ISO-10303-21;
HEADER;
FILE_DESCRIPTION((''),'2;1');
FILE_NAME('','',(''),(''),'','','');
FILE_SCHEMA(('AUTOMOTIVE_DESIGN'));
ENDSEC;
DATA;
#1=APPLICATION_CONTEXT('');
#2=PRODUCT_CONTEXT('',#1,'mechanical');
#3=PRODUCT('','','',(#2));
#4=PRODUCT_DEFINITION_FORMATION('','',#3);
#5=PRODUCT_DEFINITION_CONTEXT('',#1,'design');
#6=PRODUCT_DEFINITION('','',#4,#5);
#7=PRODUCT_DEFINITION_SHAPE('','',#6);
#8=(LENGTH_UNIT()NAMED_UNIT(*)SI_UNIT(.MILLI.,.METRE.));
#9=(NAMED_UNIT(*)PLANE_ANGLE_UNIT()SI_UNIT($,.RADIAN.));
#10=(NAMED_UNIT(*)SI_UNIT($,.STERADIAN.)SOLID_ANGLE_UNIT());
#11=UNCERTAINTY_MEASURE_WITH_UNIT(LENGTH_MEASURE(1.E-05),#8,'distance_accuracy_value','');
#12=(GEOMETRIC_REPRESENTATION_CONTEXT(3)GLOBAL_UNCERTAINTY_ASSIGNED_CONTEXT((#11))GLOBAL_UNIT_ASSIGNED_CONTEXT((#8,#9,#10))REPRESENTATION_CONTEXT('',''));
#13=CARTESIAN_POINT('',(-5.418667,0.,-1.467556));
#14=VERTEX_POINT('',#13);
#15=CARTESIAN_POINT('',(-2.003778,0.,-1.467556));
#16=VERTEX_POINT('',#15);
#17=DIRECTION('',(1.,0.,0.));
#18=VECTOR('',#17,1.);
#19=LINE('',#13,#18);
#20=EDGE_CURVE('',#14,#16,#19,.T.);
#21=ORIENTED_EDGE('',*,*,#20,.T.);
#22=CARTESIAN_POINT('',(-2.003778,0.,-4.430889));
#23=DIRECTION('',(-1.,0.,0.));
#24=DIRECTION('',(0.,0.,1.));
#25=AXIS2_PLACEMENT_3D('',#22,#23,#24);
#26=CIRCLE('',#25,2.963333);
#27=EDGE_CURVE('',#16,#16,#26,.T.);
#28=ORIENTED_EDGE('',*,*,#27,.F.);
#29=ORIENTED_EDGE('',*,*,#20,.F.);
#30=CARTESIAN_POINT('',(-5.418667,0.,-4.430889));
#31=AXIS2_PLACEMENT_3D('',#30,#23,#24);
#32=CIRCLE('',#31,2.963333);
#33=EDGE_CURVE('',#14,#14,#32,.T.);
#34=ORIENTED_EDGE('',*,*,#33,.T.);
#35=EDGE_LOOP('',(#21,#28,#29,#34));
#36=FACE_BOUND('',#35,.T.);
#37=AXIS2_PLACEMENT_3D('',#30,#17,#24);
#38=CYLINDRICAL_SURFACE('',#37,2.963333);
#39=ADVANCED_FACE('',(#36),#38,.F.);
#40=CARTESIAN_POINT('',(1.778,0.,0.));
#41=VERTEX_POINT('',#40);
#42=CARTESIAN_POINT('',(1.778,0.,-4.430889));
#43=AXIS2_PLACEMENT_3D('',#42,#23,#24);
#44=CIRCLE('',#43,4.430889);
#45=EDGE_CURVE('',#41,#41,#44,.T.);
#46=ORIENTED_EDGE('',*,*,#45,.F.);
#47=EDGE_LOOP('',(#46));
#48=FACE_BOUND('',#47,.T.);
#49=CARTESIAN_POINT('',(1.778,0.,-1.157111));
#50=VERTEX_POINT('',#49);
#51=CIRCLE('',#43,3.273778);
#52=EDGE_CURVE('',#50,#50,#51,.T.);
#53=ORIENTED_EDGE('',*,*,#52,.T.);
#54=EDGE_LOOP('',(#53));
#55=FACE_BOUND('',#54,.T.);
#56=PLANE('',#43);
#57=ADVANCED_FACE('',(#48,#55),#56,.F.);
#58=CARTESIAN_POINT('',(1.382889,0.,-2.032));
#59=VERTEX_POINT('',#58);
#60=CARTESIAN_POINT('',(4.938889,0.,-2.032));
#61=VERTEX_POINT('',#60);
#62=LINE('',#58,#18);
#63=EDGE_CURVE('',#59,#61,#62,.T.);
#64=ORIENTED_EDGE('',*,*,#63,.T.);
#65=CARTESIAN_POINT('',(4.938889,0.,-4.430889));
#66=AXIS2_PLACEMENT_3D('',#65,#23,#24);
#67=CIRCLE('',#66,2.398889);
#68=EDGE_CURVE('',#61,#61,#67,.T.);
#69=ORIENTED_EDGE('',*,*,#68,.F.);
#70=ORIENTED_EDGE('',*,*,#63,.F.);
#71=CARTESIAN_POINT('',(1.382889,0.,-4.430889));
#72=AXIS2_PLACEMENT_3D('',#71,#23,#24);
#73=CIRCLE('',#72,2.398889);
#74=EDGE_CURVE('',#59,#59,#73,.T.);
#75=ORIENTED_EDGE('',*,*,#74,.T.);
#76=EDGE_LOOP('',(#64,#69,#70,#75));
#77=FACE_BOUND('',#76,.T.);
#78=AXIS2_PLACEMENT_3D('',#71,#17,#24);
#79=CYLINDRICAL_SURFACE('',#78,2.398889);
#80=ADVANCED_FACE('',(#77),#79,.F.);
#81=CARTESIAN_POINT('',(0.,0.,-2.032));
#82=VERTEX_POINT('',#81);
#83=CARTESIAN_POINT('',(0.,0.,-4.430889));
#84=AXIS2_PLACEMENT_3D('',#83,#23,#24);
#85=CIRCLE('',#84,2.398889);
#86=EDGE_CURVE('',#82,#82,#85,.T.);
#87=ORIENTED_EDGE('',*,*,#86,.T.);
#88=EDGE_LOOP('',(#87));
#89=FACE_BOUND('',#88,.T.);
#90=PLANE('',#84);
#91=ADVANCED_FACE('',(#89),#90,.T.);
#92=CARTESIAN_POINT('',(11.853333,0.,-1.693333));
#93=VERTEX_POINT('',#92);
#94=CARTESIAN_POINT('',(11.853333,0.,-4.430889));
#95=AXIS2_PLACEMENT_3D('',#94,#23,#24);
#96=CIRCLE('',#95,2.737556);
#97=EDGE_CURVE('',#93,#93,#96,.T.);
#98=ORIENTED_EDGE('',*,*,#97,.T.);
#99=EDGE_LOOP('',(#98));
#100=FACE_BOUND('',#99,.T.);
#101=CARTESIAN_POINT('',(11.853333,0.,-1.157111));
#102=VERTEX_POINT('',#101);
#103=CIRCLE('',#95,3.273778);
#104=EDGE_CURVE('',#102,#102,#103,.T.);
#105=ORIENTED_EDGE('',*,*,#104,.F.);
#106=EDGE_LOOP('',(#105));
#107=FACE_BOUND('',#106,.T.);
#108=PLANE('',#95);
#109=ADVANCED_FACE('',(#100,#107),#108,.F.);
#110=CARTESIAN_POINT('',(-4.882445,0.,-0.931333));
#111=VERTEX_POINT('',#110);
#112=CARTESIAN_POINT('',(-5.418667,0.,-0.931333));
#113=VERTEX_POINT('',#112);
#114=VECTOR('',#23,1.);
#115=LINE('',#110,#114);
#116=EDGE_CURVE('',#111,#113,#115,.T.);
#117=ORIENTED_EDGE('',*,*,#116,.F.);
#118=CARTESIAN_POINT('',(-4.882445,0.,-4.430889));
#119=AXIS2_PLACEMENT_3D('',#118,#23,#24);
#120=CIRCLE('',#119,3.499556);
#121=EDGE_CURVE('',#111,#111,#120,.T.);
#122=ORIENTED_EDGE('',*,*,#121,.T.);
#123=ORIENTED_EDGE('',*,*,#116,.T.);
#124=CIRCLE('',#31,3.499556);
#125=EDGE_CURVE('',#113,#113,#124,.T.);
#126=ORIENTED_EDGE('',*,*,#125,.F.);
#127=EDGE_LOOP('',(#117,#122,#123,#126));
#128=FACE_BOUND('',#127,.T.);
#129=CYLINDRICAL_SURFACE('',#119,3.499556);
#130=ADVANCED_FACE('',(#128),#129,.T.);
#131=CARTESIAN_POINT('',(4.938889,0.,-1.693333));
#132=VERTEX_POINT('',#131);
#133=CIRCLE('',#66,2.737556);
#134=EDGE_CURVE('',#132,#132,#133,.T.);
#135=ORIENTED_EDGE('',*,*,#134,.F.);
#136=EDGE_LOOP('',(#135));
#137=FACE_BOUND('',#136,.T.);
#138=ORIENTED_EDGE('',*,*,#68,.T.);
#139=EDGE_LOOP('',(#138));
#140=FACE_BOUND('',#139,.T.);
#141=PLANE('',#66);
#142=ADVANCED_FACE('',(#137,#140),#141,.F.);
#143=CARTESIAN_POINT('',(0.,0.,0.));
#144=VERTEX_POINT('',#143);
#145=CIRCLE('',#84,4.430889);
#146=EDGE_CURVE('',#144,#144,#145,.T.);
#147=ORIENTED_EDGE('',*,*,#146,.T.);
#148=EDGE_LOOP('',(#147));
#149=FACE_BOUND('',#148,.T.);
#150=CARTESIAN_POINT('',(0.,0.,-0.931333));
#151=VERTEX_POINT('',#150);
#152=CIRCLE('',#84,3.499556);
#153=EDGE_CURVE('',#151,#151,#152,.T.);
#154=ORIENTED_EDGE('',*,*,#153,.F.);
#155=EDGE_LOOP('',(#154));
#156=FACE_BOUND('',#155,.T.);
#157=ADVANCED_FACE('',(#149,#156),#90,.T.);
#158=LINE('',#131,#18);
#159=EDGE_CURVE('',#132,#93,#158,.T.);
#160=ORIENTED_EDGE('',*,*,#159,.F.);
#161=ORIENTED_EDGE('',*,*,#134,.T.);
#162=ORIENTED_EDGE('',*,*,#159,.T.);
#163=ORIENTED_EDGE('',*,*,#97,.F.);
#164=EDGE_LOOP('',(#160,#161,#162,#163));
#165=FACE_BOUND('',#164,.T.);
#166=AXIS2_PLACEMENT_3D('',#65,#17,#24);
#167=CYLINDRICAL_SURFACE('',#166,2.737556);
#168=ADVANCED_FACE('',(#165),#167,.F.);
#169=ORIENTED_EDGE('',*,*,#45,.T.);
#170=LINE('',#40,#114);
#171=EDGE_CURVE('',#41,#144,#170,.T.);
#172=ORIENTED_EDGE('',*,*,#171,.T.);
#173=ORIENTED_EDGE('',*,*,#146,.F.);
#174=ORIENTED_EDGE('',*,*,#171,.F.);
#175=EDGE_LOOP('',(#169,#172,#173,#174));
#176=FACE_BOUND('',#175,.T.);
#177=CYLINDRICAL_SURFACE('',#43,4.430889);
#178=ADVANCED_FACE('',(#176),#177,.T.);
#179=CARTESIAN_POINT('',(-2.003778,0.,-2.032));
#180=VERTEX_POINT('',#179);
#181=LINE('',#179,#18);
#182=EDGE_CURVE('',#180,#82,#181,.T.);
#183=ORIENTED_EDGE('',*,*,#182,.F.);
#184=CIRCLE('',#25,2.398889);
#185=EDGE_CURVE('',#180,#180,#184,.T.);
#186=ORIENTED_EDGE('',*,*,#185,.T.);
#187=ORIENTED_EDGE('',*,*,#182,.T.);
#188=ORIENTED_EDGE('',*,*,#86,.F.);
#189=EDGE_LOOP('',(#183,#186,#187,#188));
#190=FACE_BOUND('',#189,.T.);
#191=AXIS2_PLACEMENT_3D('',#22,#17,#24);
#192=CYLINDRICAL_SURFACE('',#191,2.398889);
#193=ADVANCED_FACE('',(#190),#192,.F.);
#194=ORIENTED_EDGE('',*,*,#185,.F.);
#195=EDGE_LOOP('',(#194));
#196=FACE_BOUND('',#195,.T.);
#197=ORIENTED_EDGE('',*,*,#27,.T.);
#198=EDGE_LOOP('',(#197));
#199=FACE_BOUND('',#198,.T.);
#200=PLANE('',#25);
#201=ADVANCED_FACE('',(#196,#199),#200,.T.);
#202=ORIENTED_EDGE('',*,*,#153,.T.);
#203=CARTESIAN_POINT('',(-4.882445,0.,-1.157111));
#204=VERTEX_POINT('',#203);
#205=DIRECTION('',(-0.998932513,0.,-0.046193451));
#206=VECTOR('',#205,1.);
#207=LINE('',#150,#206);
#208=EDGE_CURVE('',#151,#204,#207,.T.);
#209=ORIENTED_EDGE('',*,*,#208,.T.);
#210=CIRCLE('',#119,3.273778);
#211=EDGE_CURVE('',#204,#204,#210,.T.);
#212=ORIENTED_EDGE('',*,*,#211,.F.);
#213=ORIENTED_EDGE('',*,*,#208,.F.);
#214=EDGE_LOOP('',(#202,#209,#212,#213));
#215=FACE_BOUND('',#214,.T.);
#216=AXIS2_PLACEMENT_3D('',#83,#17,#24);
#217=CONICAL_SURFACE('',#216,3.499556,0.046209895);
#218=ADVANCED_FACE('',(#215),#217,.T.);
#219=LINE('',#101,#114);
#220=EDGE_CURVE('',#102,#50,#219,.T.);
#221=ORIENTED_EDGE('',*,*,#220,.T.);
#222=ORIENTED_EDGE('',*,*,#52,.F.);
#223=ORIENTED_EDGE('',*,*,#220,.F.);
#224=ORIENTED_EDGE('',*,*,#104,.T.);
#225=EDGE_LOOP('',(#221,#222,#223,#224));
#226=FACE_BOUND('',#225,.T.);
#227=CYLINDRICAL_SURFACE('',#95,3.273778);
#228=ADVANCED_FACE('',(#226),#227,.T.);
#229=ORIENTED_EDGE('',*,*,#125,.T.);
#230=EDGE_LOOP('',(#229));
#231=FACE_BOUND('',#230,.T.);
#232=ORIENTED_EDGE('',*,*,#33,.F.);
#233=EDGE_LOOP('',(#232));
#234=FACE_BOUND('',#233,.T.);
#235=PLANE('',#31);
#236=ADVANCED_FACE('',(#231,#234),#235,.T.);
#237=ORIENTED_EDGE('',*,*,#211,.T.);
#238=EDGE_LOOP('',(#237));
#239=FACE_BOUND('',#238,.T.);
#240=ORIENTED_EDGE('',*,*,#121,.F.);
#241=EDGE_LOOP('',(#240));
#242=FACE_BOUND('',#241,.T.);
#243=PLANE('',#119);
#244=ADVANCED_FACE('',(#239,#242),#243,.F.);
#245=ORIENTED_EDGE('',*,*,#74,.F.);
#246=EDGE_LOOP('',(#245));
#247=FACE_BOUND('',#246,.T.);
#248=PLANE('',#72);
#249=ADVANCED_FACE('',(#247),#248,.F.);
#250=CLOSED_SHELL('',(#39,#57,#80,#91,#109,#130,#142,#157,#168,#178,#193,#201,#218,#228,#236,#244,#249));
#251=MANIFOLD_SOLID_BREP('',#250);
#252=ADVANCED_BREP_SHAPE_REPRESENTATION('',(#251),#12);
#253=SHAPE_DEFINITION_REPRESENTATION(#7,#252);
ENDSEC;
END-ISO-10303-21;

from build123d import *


with BuildPart() as f1:
    # F0 (on Front) → F1 (revolve)
    with BuildSketch(Plane.XZ):
        Polygon((1.778, 0), (0, 0), (0, -0.931333), (-4.882445, -1.157111), (-4.882445, -0.931333), (-5.418667, -0.931333), (-5.418667, -1.467556), (-2.003778, -1.467556), (-2.003778, -2.032), (0, -2.032), (0, -4.430889), (1.382889, -4.430889), (1.382889, -2.032), (4.938889, -2.032), (4.938889, -1.693333), (11.853333, -1.693333), (11.853333, -1.157111), (1.778, -1.157111), align=None)
    revolve(axis=Axis((0.691444, 0, -4.430889), (-1, 0, 0)))


solid = f1.part
